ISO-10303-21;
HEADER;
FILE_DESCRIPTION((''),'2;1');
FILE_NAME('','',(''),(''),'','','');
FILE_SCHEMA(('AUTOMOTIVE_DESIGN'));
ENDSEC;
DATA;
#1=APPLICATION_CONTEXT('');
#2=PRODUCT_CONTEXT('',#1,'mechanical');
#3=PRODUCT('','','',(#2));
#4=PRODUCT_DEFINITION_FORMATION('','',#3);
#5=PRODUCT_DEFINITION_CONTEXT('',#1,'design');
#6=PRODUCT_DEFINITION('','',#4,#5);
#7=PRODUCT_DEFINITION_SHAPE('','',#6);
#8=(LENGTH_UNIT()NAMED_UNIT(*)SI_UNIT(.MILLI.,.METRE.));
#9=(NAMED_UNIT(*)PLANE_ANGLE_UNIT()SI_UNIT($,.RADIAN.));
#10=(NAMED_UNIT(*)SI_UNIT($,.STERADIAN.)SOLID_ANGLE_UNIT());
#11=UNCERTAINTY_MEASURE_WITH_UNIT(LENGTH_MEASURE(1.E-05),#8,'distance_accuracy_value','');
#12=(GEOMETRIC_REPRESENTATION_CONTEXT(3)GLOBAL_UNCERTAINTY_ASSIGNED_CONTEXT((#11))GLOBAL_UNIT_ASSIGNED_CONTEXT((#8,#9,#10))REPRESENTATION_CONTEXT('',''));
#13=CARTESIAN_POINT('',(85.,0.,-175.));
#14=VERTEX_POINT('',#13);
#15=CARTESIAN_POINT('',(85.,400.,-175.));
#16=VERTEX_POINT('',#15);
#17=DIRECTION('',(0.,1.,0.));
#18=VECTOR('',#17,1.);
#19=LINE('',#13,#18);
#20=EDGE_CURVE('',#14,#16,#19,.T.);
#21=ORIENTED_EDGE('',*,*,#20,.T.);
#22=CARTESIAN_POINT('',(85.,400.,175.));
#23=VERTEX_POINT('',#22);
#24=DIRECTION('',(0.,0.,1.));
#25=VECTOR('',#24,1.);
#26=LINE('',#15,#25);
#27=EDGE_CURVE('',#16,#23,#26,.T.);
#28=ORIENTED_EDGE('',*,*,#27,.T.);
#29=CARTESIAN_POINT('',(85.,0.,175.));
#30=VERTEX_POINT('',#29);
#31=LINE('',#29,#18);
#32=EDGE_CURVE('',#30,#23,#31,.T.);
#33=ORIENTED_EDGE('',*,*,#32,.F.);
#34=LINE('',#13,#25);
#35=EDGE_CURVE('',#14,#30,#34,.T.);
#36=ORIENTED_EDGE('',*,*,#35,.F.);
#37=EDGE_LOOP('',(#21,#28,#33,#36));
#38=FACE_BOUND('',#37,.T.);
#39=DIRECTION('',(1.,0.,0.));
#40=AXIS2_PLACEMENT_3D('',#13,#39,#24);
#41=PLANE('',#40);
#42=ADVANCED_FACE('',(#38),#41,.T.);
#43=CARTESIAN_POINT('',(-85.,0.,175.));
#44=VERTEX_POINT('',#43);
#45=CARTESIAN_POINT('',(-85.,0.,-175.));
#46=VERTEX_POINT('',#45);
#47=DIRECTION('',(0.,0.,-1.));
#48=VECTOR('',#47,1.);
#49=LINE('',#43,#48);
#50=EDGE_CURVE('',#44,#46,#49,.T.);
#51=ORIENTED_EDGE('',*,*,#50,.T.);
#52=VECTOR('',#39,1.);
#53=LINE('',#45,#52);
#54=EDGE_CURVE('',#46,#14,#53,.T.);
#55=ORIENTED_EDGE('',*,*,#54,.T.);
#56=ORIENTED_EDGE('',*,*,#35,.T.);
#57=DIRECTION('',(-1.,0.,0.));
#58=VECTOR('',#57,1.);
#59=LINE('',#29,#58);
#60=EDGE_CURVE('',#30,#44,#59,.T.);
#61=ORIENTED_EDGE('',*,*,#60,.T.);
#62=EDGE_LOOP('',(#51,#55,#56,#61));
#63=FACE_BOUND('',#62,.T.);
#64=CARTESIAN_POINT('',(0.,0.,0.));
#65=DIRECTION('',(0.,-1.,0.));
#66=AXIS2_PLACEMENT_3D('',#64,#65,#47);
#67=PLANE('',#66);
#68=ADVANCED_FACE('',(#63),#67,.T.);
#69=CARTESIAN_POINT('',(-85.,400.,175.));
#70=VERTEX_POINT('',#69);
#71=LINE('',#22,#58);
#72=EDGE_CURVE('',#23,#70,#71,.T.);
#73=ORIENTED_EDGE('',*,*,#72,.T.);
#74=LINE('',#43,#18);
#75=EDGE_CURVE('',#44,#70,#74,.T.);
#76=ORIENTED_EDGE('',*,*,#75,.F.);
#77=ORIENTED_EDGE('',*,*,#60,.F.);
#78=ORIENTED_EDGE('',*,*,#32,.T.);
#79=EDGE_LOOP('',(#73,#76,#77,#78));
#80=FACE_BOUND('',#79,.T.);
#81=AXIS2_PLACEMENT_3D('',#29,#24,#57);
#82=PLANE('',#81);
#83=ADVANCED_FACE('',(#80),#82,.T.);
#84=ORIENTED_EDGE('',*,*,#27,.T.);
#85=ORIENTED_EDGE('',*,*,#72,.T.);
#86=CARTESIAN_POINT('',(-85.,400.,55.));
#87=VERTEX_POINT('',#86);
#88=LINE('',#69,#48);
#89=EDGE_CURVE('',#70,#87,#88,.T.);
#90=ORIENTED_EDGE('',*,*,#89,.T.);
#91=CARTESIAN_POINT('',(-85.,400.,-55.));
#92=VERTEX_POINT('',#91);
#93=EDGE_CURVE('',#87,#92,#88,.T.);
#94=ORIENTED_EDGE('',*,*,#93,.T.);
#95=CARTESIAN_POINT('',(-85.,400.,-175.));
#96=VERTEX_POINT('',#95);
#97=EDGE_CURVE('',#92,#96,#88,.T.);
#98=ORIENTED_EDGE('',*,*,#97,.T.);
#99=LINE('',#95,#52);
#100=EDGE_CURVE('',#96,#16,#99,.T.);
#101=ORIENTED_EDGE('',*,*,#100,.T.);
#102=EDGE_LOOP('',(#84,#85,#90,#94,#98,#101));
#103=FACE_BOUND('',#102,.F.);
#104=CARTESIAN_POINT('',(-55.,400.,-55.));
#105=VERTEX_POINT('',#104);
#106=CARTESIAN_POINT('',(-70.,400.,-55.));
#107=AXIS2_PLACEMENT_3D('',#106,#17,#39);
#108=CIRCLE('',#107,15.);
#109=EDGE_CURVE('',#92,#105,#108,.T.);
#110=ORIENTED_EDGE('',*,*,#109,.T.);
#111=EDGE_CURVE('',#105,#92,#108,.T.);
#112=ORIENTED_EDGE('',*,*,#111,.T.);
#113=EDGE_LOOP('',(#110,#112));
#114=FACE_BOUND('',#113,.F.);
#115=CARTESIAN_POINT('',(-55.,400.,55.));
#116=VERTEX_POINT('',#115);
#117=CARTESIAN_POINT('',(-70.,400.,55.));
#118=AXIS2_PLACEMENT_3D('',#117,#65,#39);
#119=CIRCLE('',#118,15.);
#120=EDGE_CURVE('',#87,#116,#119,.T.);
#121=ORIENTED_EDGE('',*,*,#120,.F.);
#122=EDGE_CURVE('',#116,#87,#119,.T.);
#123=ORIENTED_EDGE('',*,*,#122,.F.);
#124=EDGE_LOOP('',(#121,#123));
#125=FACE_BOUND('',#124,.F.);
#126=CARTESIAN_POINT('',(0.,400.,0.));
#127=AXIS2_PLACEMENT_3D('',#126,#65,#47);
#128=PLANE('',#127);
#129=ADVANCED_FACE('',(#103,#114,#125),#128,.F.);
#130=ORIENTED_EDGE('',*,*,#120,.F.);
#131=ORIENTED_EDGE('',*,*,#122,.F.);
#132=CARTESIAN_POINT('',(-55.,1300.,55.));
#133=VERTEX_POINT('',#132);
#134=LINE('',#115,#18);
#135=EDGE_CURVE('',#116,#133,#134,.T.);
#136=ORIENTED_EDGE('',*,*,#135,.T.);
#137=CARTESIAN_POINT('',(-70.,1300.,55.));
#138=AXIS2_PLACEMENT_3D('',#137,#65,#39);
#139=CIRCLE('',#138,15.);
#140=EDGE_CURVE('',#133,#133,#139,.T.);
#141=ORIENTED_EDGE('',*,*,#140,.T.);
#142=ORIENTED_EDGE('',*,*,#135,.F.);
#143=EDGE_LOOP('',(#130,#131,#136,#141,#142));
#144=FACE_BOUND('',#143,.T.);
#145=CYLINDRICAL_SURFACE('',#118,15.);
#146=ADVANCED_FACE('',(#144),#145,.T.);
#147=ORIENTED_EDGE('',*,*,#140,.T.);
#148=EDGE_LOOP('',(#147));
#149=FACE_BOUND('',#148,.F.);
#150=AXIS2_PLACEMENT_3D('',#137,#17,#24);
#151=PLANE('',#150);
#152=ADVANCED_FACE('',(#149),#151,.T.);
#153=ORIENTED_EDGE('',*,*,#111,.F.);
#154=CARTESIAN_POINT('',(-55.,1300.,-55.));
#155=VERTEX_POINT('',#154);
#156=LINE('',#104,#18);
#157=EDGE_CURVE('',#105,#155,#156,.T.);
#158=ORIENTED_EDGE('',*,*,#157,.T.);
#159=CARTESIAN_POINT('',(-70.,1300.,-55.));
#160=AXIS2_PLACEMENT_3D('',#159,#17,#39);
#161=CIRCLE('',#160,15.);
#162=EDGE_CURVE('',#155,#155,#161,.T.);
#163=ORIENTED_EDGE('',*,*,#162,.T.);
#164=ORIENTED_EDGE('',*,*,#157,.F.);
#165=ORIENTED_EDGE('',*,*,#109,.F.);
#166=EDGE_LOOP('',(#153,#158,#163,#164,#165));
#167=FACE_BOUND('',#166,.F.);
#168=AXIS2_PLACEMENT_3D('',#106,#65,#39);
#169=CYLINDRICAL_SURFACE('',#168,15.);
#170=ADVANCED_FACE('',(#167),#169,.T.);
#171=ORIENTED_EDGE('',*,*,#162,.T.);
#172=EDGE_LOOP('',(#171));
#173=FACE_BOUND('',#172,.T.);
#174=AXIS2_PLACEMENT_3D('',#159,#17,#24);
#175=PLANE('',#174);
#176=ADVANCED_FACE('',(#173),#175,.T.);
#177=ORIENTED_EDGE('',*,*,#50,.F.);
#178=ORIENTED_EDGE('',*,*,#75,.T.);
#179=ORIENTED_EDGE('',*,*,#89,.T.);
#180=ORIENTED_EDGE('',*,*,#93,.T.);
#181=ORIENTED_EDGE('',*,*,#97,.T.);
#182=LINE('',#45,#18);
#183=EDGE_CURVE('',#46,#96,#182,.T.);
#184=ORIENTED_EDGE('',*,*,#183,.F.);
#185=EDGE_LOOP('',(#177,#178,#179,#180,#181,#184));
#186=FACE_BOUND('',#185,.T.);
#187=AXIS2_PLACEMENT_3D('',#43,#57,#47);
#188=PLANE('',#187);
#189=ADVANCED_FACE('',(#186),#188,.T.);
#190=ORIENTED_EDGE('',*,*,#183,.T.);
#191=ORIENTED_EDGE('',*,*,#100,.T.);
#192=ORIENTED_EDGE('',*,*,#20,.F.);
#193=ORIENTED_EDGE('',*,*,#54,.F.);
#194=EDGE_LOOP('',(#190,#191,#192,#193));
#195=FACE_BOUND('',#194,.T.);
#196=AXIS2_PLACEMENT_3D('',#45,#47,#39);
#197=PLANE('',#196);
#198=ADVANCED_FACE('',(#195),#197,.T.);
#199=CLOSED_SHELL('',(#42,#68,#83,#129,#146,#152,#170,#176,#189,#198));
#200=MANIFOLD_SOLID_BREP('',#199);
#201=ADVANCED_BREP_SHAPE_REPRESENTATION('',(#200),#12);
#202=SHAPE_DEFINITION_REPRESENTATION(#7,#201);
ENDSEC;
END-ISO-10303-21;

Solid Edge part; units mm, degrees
sketch "Sketch1" plane through (0, 0, 0) normal (0, -1, 0) x (1, 0, 0)
  line L0 (-85, 175) -> (-85, -175)
  line L1 (-85, -175) -> (85, -175)
  line L2 (85, -175) -> (85, 175)
  line L3 (85, 175) -> (-85, 175)
extrude "Protrusion1" add sketch "Sketch1" against normal blind 400
sketch "Sketch2" plane through (0, 400, 0) normal (0, 1, 0) x (1, 0, 0)
  circle A0 centre (-70, 55) radius 15
extrude "Extrusionsausprägung_9" add sketch "Sketch2" along normal blind 900
mirror "Mirror1" about plane through (0, 0, 0) normal (0, 0, 1) of "Extrusionsausprägung_9"
